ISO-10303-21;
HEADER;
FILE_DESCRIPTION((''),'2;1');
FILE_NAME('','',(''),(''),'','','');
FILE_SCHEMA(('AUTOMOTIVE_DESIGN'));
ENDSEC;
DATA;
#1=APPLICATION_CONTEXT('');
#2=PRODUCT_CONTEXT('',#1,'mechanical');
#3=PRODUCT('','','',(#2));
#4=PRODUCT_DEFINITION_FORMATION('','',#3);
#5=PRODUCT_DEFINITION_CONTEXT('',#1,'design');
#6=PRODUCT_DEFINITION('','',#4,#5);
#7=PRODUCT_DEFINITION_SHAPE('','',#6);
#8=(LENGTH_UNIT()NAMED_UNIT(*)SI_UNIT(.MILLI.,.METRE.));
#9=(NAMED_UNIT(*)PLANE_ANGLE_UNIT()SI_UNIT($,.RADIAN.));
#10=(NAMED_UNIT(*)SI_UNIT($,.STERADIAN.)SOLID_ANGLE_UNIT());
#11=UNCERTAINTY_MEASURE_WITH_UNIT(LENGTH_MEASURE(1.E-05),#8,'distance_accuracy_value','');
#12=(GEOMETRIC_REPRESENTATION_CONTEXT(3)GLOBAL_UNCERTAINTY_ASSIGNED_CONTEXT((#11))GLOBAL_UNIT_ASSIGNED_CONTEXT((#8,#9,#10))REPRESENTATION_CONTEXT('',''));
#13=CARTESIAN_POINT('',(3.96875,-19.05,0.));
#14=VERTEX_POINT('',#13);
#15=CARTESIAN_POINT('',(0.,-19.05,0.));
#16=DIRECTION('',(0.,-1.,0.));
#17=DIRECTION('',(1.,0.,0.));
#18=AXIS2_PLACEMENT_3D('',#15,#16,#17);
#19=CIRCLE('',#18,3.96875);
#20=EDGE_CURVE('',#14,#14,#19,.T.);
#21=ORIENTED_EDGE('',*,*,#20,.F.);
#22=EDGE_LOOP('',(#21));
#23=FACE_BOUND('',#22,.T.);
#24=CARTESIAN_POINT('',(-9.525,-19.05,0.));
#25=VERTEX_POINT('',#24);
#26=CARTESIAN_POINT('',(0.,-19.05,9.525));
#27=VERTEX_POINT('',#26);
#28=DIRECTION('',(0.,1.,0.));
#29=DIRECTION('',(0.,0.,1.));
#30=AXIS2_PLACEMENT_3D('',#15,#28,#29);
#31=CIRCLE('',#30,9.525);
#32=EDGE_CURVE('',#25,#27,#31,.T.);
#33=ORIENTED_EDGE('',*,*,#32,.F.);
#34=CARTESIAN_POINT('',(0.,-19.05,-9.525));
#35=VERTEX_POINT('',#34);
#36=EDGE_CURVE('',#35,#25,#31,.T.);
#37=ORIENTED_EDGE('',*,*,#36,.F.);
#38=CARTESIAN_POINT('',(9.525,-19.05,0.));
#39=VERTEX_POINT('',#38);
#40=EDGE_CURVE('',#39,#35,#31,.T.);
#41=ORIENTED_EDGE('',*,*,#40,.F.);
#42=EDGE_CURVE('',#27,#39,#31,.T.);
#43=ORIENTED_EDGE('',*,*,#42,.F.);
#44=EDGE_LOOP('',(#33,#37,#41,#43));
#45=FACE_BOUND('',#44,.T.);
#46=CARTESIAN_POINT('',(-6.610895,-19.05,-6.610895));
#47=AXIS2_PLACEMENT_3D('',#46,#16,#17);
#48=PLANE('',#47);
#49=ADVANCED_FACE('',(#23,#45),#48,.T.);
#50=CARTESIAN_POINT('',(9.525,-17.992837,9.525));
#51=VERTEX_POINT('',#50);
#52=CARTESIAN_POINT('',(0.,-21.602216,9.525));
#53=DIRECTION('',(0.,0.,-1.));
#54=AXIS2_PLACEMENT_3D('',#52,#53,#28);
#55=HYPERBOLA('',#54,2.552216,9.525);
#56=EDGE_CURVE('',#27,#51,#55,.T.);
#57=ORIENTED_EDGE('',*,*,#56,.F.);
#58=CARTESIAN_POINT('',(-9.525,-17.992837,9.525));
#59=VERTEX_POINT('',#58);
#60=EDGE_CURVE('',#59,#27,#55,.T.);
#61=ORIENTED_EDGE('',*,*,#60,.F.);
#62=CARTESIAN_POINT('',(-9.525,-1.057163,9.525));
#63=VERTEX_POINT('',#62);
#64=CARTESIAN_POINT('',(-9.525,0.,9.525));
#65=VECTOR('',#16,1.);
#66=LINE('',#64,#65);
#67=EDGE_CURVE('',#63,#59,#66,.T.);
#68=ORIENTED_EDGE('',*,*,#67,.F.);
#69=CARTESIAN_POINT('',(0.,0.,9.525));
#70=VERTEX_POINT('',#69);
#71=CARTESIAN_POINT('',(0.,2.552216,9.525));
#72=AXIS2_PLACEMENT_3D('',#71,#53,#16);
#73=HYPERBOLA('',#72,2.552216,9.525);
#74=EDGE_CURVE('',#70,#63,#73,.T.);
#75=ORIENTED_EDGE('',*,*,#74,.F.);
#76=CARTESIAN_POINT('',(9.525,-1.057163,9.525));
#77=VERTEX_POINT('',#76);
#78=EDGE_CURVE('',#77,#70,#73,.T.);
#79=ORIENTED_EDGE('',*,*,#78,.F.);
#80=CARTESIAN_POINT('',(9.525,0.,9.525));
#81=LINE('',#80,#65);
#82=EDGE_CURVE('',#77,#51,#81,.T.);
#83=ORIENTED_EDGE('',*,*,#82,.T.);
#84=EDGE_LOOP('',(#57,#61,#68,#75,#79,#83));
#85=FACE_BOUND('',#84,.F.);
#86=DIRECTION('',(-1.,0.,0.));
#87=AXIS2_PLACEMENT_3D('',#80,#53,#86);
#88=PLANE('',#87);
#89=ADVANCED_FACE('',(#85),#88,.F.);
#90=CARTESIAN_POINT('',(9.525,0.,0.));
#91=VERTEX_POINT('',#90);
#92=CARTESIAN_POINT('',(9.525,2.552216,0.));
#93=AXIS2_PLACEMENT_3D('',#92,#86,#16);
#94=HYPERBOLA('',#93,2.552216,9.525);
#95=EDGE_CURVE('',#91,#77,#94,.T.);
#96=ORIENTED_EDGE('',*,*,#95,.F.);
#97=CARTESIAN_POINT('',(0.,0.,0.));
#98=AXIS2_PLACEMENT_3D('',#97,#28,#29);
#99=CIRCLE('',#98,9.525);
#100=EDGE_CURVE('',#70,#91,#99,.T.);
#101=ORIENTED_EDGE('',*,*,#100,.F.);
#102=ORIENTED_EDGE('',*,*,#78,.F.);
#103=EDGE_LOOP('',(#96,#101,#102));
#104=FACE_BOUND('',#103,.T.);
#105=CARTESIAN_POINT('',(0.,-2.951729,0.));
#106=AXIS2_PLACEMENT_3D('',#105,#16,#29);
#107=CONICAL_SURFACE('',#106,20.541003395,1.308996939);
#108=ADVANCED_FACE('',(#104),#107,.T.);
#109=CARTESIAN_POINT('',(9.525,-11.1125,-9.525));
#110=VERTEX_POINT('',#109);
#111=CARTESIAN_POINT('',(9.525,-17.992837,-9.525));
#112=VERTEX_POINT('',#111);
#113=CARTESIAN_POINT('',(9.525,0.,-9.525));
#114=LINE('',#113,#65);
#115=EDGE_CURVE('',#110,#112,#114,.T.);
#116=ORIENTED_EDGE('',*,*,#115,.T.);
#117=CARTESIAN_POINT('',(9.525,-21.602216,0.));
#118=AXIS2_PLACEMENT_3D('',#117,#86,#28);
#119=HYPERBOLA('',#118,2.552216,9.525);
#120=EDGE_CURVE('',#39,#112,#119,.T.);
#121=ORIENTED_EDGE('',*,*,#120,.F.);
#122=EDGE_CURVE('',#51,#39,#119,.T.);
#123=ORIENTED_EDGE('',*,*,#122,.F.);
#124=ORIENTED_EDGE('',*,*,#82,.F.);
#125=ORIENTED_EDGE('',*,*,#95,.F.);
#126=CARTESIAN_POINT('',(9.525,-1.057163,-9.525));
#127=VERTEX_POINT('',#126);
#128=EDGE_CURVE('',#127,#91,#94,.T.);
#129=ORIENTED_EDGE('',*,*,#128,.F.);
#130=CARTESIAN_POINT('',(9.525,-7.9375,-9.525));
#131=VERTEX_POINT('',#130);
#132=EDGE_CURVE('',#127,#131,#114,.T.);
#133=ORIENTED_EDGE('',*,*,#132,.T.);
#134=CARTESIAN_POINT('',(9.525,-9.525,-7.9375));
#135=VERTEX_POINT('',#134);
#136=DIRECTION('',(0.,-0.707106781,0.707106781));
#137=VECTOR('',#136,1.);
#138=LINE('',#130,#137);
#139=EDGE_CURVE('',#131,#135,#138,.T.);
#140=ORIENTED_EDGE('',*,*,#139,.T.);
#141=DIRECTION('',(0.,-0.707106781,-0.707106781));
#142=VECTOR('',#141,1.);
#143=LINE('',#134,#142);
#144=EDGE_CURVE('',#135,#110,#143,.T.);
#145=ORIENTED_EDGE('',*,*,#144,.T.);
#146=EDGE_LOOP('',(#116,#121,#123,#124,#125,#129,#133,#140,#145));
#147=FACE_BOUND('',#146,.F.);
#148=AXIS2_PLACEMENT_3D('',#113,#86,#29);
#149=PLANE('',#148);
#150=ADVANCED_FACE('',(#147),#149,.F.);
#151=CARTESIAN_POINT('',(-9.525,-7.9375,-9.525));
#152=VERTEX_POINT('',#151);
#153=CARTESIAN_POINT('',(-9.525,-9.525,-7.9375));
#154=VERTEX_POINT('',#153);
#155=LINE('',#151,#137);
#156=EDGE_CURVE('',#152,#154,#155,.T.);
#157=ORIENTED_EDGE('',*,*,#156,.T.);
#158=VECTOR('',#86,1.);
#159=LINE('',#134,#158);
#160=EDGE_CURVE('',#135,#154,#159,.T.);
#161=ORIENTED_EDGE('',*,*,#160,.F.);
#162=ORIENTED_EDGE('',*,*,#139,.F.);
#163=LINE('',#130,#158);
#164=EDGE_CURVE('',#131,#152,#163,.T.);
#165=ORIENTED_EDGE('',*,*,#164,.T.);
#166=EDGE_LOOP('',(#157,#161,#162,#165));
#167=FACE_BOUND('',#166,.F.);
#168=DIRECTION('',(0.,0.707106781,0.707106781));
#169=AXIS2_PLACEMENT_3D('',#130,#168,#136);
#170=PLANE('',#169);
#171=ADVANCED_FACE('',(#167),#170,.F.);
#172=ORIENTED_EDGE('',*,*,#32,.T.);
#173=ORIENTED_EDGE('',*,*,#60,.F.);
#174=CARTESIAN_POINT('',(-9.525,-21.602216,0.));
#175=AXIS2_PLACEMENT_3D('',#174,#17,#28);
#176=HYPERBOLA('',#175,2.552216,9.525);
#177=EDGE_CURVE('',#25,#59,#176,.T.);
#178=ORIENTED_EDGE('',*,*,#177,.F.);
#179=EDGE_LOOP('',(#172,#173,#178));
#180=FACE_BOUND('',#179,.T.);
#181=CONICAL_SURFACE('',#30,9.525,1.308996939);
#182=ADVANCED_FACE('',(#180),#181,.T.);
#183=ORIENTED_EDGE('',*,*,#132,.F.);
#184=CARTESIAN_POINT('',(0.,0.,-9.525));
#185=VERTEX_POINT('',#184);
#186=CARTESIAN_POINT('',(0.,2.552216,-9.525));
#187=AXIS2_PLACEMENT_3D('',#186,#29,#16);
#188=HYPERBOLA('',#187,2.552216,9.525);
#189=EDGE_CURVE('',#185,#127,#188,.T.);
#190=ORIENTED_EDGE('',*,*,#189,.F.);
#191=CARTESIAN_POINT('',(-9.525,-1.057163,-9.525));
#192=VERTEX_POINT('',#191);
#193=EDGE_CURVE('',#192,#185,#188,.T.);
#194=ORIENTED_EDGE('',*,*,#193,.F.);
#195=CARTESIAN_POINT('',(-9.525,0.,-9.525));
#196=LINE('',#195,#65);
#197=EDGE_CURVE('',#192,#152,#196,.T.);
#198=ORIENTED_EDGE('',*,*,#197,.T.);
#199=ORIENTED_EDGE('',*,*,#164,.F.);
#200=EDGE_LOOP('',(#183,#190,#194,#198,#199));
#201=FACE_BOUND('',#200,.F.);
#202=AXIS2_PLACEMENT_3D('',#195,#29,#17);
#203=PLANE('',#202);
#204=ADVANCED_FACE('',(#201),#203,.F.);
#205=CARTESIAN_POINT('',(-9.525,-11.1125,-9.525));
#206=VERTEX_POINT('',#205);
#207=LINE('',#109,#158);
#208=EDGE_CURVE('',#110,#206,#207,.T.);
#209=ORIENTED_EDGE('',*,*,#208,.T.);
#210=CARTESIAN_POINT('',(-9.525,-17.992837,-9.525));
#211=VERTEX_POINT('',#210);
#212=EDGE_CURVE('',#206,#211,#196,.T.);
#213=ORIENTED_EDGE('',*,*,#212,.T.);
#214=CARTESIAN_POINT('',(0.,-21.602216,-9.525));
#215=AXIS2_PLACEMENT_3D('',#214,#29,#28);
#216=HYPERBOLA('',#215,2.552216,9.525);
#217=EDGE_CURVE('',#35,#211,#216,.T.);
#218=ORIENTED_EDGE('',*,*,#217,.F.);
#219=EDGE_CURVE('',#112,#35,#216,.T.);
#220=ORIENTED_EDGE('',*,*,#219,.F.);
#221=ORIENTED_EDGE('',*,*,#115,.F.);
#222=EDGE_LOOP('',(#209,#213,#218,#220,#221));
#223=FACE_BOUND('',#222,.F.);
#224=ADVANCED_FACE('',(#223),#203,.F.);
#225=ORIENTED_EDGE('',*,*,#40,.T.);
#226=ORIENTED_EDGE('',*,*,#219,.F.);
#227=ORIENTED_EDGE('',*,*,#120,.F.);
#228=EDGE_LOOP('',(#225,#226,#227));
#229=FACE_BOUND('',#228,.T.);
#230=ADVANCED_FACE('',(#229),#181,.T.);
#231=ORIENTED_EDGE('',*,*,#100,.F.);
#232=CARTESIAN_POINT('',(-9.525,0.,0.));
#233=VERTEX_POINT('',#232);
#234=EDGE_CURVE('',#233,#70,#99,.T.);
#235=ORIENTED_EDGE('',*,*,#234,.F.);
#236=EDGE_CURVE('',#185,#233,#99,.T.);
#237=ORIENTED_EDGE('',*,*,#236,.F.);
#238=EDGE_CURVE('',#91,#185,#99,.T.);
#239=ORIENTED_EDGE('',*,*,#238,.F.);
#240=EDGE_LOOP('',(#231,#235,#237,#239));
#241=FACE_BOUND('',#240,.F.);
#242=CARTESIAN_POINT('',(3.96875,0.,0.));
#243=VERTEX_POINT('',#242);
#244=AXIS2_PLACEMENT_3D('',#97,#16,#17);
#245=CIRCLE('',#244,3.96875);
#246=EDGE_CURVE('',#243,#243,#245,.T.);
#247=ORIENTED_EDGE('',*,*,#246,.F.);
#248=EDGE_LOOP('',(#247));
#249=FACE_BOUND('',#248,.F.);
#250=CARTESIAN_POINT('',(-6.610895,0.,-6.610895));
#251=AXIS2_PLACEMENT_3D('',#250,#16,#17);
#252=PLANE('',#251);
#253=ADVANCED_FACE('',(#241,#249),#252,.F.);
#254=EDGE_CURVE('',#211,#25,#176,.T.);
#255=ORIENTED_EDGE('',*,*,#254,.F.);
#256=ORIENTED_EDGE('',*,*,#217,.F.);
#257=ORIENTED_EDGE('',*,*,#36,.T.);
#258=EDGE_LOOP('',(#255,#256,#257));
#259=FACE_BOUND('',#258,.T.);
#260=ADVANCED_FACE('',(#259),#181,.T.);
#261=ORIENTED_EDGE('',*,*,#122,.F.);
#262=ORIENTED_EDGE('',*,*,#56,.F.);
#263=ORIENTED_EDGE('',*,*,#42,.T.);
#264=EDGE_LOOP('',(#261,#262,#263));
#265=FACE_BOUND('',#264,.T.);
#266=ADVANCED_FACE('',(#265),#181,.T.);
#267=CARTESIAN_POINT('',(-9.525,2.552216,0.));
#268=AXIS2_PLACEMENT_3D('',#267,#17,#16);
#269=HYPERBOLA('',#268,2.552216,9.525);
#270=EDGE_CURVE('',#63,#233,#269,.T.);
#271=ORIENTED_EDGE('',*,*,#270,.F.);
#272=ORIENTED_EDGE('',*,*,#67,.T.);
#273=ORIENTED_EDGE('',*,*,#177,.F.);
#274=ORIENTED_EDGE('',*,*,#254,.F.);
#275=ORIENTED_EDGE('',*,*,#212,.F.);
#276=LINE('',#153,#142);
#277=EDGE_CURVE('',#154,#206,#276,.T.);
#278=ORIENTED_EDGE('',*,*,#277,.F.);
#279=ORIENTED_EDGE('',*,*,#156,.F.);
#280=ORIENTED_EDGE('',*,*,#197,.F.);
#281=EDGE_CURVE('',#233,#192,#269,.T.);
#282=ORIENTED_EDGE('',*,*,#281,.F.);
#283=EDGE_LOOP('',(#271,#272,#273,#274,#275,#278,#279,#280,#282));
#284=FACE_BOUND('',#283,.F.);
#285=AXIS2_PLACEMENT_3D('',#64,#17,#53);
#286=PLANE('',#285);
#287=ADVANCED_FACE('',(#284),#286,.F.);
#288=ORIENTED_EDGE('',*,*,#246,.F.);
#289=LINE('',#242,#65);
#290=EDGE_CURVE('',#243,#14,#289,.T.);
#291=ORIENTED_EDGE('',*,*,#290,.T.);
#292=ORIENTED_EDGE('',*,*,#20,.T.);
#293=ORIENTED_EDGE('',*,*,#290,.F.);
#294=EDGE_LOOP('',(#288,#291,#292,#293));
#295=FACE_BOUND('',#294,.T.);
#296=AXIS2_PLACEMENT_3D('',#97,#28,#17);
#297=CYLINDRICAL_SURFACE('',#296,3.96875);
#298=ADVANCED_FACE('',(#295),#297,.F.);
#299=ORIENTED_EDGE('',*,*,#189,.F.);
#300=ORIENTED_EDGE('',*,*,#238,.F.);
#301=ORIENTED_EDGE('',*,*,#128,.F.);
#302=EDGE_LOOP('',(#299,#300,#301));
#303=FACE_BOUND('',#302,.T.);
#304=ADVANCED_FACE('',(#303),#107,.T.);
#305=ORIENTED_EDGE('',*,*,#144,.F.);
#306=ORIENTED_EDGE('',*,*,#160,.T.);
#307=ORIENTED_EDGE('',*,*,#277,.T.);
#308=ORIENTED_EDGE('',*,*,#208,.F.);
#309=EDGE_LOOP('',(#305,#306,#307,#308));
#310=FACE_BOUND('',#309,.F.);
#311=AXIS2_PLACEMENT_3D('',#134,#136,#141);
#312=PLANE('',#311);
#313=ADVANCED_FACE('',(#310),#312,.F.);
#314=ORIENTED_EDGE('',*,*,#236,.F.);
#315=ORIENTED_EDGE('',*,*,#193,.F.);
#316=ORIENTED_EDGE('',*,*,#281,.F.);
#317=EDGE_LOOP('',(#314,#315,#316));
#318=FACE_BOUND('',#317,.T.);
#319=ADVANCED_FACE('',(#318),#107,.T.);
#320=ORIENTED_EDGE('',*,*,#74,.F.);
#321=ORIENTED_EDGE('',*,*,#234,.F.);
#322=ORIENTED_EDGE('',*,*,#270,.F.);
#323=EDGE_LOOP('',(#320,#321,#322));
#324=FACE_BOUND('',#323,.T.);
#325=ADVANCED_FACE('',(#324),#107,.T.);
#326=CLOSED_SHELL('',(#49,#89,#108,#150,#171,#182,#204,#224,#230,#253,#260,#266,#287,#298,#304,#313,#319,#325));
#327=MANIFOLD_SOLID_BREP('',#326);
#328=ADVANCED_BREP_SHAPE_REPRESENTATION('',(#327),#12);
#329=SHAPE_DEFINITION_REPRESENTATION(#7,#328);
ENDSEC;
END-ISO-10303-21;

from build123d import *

# Parameters (mm, degrees)
F0_R     = 3.96875
F1_DEPTH = 19.05
F3_DEPTH = 19.05


with BuildPart() as f1:
    # F0 (on Front) → F1 (new body)
    with BuildSketch(Plane.XZ):
        with BuildLine():
            Line((-9.525, 0), (-9.525, -9.525))
            Line((-9.525, -9.525), (0, -9.525))
            ThreePointArc((0, -9.525), (-6.7351920908, -6.7351920908), (-9.525, 0))
        make_face()
        with BuildLine():
            ThreePointArc((9.525, 0), (6.7351920908, -6.7351920908), (0, -9.525))
            Line((0, -9.525), (9.525, -9.525))
            Line((9.525, -9.525), (9.525, 0))
        make_face()
        with BuildLine():
            ThreePointArc((-9.525, 0), (-6.7351920908, -6.7351920908), (0, -9.525))
            ThreePointArc((0, -9.525), (6.7351920908, -6.7351920908), (9.525, 0))
            ThreePointArc((9.525, 0), (6.7351920908, 6.7351920908), (0, 9.525))
            ThreePointArc((0, 9.525), (-6.7351920908, 6.7351920908), (-9.525, 0))
        make_face()
        Circle(F0_R, mode=Mode.SUBTRACT)
        with BuildLine():
            Line((-9.525, 9.525), (-9.525, 0))
            ThreePointArc((-9.525, 0), (-6.7351920908, 6.7351920908), (0, 9.525))
            Line((0, 9.525), (-9.525, 9.525))
        make_face()
        with BuildLine():
            ThreePointArc((0, 9.525), (6.7351920908, 6.7351920908), (9.525, 0))
            Line((9.525, 0), (9.525, 9.525))
            Line((9.525, 9.525), (0, 9.525))
        make_face()
    extrude(amount=F1_DEPTH)

    # F2 (on face) → F3 (cut)
    with BuildSketch(Plane.YZ.offset(9.525)):
        Polygon((-7.9375, -9.525), (-9.525, -7.9375), (-11.1125, -9.525), align=None)
    extrude(amount=-F3_DEPTH, mode=Mode.SUBTRACT)

    # F5 (on mid) → F6 (revolve, cut)
    with BuildSketch(Plane.YZ):
        Polygon((-19.05, 20.5410033949), (-19.05, 9.525), (-16.0982707865, 20.5410033949), align=None)
        Polygon((-2.9517292135, 20.5410033949), (0, 9.525), (0, 20.5410033949), align=None)
    revolve(axis=Axis((0, 0, 0), (0, 1, 0)), mode=Mode.SUBTRACT)


solid = f1.part
